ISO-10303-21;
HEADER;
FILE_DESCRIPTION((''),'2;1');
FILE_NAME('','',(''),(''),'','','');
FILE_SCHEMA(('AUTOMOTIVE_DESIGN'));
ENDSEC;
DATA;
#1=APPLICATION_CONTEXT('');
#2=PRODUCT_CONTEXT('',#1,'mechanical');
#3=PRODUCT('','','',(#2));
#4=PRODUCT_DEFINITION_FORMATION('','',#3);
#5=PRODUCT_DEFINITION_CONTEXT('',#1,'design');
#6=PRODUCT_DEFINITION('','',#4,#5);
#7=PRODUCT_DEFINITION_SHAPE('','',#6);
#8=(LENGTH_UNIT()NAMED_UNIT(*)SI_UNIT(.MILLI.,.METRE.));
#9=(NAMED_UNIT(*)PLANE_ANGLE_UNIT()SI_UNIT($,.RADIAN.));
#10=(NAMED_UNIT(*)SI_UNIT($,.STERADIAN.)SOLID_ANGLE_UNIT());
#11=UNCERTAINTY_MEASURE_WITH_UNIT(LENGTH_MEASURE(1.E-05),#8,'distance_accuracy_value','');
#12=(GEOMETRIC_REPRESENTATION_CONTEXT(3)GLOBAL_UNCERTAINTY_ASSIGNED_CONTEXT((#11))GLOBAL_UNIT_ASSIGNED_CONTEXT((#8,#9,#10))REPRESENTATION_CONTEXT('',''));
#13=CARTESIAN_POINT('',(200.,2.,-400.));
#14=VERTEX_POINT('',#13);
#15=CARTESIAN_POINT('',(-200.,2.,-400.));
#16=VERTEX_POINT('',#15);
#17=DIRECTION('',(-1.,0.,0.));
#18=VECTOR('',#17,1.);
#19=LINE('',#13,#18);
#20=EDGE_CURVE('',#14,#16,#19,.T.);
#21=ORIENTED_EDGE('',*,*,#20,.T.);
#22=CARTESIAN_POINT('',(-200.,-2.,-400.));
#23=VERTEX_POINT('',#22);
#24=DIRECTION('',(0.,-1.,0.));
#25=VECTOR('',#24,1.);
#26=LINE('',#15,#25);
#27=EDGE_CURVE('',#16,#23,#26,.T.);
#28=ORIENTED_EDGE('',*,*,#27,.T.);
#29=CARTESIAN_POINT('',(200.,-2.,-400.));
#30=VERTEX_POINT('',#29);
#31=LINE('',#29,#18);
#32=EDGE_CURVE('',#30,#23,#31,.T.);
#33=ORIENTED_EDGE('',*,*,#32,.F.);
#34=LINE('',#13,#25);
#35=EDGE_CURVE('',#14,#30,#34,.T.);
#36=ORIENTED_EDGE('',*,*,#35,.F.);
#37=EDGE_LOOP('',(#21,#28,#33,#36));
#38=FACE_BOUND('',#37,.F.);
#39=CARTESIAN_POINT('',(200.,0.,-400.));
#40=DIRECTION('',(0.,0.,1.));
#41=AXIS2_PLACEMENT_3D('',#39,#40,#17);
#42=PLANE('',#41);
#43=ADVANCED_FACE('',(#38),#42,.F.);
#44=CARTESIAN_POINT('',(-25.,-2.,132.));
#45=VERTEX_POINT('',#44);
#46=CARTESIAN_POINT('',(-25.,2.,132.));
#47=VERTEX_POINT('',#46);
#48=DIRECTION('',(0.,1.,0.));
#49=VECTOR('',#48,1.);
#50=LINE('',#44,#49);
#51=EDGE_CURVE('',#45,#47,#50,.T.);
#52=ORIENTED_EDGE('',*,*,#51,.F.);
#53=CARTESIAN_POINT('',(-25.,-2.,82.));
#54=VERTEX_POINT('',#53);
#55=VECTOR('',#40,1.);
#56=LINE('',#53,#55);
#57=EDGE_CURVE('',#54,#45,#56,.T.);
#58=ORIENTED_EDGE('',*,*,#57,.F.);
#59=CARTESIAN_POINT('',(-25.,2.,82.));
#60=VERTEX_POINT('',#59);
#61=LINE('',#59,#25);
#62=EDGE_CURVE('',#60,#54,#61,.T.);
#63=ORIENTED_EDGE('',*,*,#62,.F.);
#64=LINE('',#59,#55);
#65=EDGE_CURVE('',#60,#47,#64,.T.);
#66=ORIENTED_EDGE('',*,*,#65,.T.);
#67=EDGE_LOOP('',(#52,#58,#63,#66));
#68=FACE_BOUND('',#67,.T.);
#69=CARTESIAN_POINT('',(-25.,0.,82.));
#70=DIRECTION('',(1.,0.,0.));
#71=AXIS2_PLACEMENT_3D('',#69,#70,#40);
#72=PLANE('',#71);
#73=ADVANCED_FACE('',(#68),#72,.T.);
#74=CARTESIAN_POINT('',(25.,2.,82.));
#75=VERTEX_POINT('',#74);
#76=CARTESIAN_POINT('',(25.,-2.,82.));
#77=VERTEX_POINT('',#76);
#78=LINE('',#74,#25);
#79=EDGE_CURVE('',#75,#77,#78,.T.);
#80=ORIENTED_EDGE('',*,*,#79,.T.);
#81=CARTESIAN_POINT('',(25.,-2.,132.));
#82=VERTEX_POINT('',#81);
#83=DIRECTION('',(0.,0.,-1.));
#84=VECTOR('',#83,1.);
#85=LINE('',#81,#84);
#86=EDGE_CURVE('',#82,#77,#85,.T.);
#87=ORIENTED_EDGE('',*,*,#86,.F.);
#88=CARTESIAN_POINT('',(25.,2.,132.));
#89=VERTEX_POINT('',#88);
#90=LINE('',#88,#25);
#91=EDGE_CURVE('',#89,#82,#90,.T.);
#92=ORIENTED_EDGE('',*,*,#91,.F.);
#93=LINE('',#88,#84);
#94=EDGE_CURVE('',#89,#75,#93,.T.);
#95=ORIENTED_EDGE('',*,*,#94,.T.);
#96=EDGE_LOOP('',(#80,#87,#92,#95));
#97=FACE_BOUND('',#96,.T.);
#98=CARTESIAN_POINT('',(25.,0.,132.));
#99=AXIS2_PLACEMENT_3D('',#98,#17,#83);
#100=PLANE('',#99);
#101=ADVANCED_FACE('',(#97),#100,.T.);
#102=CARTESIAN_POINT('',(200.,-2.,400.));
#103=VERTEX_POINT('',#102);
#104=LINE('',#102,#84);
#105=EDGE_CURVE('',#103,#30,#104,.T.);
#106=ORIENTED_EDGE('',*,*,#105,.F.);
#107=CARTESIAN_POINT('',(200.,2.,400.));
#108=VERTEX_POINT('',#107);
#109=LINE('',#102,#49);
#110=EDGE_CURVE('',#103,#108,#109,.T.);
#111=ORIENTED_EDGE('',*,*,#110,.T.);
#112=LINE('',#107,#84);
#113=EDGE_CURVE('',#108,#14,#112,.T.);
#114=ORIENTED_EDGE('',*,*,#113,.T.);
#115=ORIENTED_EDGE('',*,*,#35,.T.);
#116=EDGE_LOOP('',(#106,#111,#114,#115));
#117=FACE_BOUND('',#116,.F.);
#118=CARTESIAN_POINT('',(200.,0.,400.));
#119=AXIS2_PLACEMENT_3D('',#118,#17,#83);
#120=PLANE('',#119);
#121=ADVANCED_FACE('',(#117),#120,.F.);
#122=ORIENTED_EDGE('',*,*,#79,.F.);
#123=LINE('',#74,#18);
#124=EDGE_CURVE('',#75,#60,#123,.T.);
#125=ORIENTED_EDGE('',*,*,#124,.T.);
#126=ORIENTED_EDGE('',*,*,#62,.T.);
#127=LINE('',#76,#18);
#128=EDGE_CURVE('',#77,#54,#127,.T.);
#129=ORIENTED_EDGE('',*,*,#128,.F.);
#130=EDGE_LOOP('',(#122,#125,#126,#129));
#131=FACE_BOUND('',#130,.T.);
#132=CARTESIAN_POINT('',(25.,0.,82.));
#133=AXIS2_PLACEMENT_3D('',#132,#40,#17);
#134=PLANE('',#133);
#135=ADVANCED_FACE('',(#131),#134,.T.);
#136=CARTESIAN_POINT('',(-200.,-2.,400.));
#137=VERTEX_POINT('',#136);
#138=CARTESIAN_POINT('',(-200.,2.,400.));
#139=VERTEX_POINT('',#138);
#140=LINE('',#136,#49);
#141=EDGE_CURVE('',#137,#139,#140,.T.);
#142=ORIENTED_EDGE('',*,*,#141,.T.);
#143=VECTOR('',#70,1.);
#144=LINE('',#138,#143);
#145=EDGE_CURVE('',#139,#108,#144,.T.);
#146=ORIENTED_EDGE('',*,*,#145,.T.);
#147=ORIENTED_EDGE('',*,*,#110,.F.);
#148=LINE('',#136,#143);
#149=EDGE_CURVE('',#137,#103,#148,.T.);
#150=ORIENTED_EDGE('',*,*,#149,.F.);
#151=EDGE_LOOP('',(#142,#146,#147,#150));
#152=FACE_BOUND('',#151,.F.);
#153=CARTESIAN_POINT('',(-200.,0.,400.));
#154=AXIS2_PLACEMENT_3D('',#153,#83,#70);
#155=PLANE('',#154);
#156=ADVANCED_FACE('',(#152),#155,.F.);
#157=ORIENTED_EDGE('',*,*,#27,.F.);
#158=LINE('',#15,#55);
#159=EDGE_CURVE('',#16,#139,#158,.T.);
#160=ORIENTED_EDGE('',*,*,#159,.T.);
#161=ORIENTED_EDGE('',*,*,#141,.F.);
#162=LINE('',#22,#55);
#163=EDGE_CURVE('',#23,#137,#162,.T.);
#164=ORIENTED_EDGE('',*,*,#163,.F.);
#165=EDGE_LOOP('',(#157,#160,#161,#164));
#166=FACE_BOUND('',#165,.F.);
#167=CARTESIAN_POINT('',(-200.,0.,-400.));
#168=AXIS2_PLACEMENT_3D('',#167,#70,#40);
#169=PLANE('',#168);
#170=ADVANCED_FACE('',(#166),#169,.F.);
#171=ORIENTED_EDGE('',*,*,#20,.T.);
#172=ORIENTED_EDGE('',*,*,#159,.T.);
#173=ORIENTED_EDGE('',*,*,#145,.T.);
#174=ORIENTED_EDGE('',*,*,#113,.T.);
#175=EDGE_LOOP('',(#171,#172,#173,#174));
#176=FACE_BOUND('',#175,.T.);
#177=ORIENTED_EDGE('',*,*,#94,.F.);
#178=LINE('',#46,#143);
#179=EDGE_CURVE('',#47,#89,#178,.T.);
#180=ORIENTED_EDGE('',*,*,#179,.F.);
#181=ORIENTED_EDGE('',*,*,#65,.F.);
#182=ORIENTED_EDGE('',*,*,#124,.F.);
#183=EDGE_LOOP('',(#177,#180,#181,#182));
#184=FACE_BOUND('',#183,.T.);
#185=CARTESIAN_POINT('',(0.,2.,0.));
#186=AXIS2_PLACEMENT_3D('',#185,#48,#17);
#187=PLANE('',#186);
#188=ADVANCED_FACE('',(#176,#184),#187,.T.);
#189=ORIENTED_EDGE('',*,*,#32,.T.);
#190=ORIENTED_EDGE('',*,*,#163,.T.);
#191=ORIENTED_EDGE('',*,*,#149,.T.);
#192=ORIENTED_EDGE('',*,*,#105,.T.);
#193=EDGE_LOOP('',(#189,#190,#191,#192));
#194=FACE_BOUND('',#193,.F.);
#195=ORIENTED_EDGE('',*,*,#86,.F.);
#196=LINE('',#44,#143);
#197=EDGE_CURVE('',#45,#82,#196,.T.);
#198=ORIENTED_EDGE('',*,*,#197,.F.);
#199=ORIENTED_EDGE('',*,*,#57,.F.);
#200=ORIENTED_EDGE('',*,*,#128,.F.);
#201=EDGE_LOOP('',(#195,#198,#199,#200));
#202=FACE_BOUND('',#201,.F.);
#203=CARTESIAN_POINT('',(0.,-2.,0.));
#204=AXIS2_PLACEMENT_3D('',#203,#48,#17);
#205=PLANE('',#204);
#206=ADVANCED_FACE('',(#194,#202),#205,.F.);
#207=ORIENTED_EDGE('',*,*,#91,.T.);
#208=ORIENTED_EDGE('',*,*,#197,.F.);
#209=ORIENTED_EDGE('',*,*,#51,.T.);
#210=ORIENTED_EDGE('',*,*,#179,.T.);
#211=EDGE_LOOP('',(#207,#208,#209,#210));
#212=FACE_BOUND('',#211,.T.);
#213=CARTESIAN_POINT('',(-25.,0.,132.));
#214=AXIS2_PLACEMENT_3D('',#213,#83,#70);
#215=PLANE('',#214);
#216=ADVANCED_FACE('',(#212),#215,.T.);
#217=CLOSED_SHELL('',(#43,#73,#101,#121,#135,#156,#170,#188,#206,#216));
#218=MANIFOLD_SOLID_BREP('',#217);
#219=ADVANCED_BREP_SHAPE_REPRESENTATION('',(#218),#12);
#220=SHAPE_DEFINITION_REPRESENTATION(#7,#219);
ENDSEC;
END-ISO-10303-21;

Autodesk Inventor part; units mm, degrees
ref_plane "YZ Plane" through (0, 0, 0) normal (1, 0, 0) x (0, 1, 0)
ref_plane "XZ Plane" through (0, 0, 0) normal (0, 1, 0) x (-1, 0, 0)
ref_plane "XY Plane" through (0, 0, 0) normal (0, 0, 1) x (1, 0, 0)
sketch "Sketch1" plane through (0, 0, 0) normal (0, 1, 0) x (-1, 0, 0)
  line L0 (200, 400) -> (-200, 400)
  line L1 (-200, 400) -> (-200, -400)
  line L2 (-200, -400) -> (200, -400)
  line L3 (200, -400) -> (200, 400)
  line L4 (25, 132) -> (-25, 132)
  line L5 (-25, 132) -> (-25, 82)
  line L6 (-25, 82) -> (25, 82)
  line L7 (25, 82) -> (25, 132)
  point P0 (0, 0)
  dimension "d0" = 800
  dimension "d1" = 400
  dimension "d2" = 50
  dimension "d3" = 50
  dimension "d4" = 175
  dimension "d5" = 268
  dimension "d7" = 200
  dimension "d8" = 400
extrude "Extrusion1" add sketch "Sketch1" along normal mid plane 4
properties part number "left"
